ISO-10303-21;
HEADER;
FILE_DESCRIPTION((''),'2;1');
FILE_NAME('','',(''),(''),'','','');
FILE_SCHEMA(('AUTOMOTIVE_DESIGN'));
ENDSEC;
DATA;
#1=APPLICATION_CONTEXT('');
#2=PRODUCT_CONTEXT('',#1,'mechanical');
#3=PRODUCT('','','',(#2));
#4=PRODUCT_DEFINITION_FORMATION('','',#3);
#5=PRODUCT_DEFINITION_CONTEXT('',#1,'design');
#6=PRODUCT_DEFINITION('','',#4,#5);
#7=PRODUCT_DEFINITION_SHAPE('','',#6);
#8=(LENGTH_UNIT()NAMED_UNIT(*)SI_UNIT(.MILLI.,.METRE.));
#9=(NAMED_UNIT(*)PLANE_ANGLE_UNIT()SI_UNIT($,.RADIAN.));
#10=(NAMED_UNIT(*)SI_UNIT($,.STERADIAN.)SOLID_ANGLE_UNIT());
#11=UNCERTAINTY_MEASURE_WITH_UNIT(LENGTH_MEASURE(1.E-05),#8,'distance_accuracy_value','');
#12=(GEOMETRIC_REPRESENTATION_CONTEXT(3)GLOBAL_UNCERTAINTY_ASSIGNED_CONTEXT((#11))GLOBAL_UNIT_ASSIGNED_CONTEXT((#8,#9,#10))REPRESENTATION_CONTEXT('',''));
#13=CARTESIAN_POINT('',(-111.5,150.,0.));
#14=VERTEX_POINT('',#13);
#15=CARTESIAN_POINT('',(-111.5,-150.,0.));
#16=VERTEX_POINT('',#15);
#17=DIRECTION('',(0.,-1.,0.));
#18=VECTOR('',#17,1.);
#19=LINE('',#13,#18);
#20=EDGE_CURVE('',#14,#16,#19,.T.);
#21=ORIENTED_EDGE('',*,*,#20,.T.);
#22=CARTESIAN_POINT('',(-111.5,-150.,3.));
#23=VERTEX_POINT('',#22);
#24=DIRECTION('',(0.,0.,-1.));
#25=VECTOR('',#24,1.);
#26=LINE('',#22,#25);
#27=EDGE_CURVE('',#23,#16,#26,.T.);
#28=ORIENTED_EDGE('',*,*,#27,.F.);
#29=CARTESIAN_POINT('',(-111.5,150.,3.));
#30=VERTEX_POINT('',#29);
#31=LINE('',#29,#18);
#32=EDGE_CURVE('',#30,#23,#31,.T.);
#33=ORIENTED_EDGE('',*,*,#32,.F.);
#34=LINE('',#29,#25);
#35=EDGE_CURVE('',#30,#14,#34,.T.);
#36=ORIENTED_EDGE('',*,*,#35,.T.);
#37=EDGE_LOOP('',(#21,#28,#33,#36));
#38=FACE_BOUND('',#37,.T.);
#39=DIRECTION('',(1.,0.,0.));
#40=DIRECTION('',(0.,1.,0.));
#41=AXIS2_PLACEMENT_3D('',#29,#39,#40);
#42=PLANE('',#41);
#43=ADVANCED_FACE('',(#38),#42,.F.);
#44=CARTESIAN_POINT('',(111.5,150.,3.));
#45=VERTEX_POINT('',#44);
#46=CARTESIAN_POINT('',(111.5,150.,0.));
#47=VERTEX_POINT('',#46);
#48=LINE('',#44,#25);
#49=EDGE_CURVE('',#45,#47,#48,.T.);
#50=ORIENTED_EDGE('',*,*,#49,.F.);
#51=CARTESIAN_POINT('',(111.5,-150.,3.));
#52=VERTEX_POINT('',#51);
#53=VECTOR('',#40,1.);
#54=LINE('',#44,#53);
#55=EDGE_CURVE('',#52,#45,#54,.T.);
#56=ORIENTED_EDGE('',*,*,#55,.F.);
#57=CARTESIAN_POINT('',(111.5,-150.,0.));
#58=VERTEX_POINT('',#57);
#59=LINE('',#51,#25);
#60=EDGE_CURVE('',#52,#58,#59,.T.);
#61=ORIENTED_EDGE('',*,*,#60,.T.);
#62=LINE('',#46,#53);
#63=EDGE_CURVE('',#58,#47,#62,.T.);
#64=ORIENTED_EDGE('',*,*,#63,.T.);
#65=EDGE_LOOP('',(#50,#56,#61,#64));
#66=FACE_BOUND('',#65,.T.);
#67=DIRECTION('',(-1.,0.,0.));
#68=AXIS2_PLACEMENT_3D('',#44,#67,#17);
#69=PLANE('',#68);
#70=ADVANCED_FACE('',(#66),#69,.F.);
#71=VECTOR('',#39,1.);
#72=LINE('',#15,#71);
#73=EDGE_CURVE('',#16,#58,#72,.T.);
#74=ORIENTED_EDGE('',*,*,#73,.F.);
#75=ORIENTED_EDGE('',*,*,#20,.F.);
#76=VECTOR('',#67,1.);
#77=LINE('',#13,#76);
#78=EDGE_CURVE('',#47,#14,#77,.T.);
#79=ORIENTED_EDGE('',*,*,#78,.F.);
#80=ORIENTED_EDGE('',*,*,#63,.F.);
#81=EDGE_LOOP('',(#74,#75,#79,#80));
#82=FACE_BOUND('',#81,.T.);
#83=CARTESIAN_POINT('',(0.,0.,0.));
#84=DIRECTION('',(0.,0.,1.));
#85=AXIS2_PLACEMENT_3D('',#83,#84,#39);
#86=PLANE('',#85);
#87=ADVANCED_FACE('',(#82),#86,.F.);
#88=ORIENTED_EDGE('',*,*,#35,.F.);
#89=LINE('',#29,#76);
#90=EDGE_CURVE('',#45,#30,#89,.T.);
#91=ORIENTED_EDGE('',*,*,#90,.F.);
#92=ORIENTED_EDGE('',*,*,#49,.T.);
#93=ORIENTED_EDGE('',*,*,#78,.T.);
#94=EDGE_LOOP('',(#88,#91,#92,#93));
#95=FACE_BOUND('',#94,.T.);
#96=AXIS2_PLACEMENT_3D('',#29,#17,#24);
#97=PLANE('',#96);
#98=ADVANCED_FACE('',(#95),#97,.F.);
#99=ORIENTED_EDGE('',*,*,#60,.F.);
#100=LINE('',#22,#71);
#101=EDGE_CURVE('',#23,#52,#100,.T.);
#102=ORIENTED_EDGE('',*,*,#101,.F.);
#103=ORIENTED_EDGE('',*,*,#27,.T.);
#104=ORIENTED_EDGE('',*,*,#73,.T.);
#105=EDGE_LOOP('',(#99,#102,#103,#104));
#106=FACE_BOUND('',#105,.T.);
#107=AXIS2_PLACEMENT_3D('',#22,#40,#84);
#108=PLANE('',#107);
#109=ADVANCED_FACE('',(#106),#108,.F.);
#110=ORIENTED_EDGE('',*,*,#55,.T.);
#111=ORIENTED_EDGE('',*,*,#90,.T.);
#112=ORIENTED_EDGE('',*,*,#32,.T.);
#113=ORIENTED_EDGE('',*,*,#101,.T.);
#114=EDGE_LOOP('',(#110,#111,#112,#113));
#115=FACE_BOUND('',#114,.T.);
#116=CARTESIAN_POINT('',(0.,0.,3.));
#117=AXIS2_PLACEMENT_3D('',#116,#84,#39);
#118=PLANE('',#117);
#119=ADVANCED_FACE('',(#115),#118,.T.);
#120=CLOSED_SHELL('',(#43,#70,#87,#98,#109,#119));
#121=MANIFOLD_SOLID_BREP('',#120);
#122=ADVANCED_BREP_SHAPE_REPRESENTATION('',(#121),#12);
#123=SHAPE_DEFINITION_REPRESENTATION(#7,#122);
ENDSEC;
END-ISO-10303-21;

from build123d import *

# Parameters (mm, degrees)
SKETCH_1_W      = 223
SKETCH_1_H      = 300
EXTRUDE_1_DEPTH = 3


with BuildPart() as part:
    # 草图1 → 凸台-拉伸1 (new body)
    with BuildSketch(Plane.XY):
        Rectangle(SKETCH_1_W, SKETCH_1_H)
    extrude(amount=EXTRUDE_1_DEPTH)


solid = part.part
